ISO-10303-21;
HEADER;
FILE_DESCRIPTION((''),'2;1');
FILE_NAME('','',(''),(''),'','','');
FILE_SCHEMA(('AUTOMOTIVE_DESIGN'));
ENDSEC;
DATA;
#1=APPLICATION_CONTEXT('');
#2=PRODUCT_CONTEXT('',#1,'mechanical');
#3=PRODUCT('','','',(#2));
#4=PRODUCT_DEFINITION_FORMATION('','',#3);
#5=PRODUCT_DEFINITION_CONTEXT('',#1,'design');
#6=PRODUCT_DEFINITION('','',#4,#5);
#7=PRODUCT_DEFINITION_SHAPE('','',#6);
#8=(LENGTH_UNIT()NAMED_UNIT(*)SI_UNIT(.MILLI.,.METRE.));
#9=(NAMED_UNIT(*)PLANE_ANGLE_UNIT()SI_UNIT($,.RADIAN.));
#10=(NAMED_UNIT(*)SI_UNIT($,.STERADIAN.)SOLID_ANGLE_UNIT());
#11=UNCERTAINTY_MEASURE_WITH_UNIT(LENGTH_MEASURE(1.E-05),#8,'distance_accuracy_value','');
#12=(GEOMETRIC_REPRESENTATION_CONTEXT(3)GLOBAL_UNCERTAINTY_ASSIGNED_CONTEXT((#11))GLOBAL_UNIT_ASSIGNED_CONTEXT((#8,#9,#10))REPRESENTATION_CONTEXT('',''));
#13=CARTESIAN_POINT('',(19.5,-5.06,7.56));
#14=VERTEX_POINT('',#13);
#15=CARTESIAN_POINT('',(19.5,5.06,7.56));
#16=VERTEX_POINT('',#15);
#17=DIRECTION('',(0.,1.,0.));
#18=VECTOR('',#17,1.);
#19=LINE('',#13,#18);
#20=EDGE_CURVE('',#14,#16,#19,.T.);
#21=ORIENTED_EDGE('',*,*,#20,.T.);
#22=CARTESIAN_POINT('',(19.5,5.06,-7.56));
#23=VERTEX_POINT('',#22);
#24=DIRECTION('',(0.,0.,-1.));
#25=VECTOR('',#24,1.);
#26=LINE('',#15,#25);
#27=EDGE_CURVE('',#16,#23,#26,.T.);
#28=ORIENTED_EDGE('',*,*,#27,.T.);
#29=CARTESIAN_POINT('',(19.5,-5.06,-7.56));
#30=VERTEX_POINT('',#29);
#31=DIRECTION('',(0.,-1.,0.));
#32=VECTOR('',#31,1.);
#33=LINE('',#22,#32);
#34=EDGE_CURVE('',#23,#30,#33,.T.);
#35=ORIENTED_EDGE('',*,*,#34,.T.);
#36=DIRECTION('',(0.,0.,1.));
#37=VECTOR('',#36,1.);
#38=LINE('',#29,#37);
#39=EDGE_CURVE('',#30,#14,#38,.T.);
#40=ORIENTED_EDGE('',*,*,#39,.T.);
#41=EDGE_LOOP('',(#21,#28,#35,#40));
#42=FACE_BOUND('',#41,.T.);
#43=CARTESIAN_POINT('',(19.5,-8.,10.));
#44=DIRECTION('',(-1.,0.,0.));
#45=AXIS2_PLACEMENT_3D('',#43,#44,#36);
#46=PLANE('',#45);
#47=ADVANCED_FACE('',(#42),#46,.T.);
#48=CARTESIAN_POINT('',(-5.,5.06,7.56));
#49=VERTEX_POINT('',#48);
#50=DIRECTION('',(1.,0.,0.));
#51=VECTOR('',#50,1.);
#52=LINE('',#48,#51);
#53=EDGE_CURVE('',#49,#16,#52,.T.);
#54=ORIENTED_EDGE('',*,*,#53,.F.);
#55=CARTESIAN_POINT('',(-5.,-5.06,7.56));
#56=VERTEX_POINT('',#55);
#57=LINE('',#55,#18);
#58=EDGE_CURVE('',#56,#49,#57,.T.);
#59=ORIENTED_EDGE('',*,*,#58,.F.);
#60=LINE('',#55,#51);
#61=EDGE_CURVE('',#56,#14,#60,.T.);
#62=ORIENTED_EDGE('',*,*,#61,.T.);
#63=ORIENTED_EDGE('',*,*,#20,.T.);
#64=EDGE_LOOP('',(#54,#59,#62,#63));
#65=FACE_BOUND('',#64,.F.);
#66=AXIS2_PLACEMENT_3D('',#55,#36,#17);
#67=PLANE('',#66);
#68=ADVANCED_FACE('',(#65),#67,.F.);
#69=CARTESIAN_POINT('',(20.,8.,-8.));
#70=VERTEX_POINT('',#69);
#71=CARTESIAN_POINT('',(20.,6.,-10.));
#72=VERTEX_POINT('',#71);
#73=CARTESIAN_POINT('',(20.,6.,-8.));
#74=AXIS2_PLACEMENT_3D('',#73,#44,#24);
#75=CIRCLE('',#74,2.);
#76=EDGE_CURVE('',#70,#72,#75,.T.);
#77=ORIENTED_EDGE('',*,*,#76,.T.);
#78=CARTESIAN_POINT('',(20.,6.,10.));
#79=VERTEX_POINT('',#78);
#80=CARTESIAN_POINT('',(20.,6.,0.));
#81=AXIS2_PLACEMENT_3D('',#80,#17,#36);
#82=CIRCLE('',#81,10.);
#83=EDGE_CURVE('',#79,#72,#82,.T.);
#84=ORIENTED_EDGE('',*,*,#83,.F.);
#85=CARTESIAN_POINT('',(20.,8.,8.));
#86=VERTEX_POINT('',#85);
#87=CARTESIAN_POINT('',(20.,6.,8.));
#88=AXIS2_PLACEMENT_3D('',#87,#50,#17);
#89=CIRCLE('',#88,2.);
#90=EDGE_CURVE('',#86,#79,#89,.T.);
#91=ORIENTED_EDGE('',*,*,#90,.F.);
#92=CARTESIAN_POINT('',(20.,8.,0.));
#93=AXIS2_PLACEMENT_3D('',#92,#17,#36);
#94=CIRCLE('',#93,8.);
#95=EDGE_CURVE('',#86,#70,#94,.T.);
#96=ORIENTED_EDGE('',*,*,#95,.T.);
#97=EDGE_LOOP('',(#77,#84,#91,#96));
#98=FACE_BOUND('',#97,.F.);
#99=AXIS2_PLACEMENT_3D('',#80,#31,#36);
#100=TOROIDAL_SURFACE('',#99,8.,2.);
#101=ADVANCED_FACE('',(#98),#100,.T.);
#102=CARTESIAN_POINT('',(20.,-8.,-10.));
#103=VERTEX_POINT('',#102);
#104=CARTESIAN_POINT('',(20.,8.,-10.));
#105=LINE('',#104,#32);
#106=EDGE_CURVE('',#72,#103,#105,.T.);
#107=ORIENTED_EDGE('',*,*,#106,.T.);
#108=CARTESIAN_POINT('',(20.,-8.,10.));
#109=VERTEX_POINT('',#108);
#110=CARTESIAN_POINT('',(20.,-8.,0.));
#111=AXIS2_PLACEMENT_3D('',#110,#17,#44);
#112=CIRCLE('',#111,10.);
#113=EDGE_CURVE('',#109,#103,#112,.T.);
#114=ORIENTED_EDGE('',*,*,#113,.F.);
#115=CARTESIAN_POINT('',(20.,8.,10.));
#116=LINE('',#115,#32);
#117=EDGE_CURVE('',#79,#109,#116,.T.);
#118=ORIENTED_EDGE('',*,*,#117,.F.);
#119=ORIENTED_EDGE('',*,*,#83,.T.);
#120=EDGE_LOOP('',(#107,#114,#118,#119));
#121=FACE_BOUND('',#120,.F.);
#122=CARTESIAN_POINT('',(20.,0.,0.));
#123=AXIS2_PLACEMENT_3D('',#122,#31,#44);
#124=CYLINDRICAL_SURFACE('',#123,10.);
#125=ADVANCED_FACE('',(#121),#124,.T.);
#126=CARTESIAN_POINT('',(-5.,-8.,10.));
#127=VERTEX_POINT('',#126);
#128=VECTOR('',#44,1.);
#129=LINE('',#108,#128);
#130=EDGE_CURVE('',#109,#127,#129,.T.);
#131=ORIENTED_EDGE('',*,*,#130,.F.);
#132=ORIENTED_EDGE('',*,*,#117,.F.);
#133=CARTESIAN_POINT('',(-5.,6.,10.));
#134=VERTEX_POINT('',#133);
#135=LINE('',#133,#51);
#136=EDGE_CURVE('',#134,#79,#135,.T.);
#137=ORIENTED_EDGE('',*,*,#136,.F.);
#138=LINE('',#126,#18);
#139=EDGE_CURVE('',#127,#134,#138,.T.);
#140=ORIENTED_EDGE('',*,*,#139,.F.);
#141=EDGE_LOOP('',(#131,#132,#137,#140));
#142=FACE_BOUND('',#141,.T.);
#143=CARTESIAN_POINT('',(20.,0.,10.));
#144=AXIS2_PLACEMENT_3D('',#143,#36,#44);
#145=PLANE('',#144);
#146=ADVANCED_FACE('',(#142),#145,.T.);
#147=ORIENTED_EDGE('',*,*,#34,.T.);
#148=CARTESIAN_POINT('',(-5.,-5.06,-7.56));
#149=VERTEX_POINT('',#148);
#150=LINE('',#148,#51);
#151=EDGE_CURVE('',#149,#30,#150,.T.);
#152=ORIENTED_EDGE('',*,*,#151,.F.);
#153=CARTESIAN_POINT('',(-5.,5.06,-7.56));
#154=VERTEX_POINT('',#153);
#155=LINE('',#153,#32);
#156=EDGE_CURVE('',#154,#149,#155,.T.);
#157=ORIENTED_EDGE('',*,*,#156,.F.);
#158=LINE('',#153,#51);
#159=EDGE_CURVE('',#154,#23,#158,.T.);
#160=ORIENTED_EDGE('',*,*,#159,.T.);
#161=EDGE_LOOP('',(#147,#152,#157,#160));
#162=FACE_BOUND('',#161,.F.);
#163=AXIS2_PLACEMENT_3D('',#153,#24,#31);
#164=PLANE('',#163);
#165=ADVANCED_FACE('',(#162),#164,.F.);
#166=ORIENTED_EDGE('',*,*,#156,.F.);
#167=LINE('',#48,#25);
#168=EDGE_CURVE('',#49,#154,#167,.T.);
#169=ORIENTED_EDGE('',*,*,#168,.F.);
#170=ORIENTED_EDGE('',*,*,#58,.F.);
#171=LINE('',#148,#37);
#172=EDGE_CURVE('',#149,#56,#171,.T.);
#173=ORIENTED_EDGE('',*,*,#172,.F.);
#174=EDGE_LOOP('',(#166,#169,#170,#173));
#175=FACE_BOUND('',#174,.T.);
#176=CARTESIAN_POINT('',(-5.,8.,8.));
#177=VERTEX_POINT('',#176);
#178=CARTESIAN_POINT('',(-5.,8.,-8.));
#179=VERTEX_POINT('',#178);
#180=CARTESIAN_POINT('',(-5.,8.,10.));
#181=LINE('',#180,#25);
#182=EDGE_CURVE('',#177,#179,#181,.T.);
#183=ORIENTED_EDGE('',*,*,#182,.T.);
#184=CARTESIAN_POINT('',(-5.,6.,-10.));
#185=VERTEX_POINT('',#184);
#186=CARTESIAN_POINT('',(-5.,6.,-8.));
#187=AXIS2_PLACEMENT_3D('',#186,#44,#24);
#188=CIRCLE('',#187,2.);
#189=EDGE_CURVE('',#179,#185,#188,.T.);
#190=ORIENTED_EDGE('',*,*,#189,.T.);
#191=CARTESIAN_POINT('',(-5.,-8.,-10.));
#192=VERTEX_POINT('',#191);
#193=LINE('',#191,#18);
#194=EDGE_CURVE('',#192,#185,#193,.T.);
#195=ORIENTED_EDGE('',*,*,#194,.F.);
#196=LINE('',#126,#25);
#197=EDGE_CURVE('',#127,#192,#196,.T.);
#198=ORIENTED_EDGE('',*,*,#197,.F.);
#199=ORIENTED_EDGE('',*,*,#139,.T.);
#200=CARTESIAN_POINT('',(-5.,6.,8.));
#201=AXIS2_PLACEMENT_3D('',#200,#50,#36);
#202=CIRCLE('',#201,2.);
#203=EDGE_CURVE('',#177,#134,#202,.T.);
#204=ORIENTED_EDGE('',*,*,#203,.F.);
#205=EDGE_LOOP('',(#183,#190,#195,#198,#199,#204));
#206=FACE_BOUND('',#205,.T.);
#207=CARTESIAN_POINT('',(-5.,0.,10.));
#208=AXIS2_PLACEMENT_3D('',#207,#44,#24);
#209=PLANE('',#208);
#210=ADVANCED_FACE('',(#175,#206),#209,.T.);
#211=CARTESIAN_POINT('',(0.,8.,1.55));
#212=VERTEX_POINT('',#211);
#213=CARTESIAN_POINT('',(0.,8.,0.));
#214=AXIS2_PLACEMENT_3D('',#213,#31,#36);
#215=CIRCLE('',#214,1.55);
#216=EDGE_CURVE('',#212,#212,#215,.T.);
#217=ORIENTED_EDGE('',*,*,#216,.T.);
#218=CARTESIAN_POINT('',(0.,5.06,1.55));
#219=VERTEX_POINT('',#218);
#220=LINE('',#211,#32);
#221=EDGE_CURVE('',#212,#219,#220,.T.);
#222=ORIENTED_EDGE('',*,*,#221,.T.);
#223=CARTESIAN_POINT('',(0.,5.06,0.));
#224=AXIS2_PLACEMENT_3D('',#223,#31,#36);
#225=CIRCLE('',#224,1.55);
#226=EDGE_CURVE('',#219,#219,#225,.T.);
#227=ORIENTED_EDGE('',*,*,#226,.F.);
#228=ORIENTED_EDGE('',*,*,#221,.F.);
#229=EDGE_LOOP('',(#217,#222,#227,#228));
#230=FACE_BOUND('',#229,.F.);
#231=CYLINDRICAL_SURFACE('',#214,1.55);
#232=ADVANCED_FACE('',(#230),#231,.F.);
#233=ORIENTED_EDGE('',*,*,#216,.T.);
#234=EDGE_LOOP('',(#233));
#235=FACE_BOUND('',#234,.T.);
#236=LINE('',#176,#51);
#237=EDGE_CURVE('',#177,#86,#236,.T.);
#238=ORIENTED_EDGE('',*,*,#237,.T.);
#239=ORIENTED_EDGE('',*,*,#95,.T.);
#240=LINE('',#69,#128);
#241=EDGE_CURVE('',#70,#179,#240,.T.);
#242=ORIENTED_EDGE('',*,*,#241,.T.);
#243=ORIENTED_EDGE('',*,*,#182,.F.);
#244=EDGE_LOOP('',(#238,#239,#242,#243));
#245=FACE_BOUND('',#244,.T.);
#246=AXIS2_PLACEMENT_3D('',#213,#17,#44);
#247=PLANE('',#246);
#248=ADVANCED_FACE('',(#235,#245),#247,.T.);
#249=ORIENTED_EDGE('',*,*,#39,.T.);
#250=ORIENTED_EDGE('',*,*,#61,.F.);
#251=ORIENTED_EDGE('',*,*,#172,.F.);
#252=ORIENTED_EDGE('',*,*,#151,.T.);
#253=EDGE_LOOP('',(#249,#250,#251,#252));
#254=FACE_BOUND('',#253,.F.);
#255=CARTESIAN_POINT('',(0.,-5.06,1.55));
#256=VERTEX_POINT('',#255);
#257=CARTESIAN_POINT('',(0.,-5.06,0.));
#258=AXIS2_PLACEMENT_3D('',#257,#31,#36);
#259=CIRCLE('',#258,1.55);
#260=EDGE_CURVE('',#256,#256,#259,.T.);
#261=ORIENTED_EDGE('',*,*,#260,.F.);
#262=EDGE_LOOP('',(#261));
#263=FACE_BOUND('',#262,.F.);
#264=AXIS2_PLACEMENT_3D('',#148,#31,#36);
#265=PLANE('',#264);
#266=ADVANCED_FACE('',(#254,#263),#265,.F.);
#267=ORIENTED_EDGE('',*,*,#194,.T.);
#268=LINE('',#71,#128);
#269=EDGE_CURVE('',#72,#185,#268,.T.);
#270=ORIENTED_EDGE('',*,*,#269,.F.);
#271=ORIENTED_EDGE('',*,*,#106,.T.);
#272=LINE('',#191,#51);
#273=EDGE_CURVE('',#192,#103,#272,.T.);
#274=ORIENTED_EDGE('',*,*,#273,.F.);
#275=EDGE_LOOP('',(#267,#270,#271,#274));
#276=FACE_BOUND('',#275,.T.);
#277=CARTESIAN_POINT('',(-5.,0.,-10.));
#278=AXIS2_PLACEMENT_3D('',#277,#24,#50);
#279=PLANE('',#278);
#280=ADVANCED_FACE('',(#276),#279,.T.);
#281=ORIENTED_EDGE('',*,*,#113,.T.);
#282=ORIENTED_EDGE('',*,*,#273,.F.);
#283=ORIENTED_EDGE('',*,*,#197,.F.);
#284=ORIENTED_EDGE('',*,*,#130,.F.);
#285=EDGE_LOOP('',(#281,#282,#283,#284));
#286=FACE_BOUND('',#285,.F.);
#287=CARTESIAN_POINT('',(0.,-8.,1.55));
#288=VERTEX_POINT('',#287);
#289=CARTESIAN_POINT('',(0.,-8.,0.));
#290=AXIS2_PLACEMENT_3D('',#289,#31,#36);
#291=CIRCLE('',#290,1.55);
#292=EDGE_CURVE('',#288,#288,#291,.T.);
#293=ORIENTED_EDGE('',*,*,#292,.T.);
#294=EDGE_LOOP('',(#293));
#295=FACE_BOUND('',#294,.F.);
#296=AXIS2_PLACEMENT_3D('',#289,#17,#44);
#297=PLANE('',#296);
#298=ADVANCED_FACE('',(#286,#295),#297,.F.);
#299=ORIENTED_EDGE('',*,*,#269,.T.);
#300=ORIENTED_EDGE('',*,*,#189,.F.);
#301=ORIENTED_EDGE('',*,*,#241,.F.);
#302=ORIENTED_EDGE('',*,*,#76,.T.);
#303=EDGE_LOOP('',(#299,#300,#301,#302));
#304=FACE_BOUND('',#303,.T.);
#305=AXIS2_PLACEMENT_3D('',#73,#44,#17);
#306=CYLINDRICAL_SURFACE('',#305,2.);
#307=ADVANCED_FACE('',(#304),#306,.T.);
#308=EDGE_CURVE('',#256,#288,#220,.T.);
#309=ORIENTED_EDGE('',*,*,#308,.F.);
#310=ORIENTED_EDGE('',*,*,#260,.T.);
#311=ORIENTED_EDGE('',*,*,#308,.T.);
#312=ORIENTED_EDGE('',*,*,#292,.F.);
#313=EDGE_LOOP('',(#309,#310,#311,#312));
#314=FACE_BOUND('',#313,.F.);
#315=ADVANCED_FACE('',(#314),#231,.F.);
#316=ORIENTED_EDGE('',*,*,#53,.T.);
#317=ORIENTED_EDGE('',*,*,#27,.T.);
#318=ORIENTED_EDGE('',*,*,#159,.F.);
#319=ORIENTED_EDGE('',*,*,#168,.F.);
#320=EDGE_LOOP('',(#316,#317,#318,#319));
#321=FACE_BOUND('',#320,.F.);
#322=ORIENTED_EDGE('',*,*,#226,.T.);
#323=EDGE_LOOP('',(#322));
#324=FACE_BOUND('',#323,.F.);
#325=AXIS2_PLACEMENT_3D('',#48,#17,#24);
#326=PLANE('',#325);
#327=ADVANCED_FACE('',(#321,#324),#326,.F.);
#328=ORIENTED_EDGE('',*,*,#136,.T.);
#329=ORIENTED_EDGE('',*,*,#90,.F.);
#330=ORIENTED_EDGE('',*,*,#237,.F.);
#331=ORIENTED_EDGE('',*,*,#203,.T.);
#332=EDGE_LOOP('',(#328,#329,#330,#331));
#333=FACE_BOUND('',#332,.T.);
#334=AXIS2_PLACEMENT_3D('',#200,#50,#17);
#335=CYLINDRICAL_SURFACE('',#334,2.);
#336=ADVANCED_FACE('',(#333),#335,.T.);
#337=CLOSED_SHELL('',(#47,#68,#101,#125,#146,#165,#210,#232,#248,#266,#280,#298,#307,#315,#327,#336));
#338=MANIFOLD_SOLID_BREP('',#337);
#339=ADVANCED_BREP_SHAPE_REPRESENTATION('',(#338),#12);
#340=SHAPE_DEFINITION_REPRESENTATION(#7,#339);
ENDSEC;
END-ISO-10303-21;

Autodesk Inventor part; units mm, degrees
ref_plane "YZ Plane" through (0, 0, 0) normal (1, 0, 0) x (0, 1, 0)
ref_plane "XZ Plane" through (0, 0, 0) normal (0, 1, 0) x (-1, 0, 0)
ref_plane "XY Plane" through (0, 0, 0) normal (0, 0, 1) x (1, 0, 0)
sketch "Sketch1" plane through (0, 0, 0) normal (0, 1, 0) x (-1, 0, 0)
  line L0 (5, -10) -> (-20, -10)
  line L1 (-20, -10) -> (-20, 10)
  line L2 (-20, 10) -> (5, 10)
  line L3 (5, 10) -> (5, -10)
  line L4 (5, -10) -> (-20, 10) construction
  line L5 (-20, -10) -> (5, 10) construction
  circle A0 centre (-20, 0) radius 10
  point P0 (0, 0)
  point P1 (-7.5, 0)
  point P2 (-20, 10)
  dimension "d0" = 20
  dimension "d1" = 20
  dimension "d2" = 5
extrude "Extrusion1" add sketch "Sketch1" along normal mid plane 16
sketch "Sketch2" plane through (0, 8, 0) normal (0, 1, 0) x (1, 0, 0)
  point P0 (0, 0)
  point P1 (0, 0)
hole "Hole1" at (0, 8, 0) direction (0, -1, 0) diameter 3.1 end through all
sketch "Sketch3" plane through (-5, -8, 10) normal (-1, 0, 0) x (0, 0, 1)
  line L0 (-17.56, 2.94) -> (-2.44, 2.94)
  line L1 (-2.44, 2.94) -> (-2.44, 13.06)
  line L2 (-2.44, 13.06) -> (-17.56, 13.06)
  line L3 (-17.56, 13.06) -> (-17.56, 2.94)
  line L4 (-17.56, 2.94) -> (-2.44, 13.06) construction
  line L5 (-2.44, 2.94) -> (-17.56, 13.06) construction
  point P0 (-10, 8)
  dimension "d12" = 15.12
  dimension "d13" = 10.12
extrude "Extrusion2" cut sketch "Sketch3" against normal blind 24.5
fillet "Fillet1" radius 2 3 edges at (30, 8, 0) (7.5, 8, -10) (7.5, 8, 10)
properties part number "T-Frame Left Cover" material "ABS Plastic"
